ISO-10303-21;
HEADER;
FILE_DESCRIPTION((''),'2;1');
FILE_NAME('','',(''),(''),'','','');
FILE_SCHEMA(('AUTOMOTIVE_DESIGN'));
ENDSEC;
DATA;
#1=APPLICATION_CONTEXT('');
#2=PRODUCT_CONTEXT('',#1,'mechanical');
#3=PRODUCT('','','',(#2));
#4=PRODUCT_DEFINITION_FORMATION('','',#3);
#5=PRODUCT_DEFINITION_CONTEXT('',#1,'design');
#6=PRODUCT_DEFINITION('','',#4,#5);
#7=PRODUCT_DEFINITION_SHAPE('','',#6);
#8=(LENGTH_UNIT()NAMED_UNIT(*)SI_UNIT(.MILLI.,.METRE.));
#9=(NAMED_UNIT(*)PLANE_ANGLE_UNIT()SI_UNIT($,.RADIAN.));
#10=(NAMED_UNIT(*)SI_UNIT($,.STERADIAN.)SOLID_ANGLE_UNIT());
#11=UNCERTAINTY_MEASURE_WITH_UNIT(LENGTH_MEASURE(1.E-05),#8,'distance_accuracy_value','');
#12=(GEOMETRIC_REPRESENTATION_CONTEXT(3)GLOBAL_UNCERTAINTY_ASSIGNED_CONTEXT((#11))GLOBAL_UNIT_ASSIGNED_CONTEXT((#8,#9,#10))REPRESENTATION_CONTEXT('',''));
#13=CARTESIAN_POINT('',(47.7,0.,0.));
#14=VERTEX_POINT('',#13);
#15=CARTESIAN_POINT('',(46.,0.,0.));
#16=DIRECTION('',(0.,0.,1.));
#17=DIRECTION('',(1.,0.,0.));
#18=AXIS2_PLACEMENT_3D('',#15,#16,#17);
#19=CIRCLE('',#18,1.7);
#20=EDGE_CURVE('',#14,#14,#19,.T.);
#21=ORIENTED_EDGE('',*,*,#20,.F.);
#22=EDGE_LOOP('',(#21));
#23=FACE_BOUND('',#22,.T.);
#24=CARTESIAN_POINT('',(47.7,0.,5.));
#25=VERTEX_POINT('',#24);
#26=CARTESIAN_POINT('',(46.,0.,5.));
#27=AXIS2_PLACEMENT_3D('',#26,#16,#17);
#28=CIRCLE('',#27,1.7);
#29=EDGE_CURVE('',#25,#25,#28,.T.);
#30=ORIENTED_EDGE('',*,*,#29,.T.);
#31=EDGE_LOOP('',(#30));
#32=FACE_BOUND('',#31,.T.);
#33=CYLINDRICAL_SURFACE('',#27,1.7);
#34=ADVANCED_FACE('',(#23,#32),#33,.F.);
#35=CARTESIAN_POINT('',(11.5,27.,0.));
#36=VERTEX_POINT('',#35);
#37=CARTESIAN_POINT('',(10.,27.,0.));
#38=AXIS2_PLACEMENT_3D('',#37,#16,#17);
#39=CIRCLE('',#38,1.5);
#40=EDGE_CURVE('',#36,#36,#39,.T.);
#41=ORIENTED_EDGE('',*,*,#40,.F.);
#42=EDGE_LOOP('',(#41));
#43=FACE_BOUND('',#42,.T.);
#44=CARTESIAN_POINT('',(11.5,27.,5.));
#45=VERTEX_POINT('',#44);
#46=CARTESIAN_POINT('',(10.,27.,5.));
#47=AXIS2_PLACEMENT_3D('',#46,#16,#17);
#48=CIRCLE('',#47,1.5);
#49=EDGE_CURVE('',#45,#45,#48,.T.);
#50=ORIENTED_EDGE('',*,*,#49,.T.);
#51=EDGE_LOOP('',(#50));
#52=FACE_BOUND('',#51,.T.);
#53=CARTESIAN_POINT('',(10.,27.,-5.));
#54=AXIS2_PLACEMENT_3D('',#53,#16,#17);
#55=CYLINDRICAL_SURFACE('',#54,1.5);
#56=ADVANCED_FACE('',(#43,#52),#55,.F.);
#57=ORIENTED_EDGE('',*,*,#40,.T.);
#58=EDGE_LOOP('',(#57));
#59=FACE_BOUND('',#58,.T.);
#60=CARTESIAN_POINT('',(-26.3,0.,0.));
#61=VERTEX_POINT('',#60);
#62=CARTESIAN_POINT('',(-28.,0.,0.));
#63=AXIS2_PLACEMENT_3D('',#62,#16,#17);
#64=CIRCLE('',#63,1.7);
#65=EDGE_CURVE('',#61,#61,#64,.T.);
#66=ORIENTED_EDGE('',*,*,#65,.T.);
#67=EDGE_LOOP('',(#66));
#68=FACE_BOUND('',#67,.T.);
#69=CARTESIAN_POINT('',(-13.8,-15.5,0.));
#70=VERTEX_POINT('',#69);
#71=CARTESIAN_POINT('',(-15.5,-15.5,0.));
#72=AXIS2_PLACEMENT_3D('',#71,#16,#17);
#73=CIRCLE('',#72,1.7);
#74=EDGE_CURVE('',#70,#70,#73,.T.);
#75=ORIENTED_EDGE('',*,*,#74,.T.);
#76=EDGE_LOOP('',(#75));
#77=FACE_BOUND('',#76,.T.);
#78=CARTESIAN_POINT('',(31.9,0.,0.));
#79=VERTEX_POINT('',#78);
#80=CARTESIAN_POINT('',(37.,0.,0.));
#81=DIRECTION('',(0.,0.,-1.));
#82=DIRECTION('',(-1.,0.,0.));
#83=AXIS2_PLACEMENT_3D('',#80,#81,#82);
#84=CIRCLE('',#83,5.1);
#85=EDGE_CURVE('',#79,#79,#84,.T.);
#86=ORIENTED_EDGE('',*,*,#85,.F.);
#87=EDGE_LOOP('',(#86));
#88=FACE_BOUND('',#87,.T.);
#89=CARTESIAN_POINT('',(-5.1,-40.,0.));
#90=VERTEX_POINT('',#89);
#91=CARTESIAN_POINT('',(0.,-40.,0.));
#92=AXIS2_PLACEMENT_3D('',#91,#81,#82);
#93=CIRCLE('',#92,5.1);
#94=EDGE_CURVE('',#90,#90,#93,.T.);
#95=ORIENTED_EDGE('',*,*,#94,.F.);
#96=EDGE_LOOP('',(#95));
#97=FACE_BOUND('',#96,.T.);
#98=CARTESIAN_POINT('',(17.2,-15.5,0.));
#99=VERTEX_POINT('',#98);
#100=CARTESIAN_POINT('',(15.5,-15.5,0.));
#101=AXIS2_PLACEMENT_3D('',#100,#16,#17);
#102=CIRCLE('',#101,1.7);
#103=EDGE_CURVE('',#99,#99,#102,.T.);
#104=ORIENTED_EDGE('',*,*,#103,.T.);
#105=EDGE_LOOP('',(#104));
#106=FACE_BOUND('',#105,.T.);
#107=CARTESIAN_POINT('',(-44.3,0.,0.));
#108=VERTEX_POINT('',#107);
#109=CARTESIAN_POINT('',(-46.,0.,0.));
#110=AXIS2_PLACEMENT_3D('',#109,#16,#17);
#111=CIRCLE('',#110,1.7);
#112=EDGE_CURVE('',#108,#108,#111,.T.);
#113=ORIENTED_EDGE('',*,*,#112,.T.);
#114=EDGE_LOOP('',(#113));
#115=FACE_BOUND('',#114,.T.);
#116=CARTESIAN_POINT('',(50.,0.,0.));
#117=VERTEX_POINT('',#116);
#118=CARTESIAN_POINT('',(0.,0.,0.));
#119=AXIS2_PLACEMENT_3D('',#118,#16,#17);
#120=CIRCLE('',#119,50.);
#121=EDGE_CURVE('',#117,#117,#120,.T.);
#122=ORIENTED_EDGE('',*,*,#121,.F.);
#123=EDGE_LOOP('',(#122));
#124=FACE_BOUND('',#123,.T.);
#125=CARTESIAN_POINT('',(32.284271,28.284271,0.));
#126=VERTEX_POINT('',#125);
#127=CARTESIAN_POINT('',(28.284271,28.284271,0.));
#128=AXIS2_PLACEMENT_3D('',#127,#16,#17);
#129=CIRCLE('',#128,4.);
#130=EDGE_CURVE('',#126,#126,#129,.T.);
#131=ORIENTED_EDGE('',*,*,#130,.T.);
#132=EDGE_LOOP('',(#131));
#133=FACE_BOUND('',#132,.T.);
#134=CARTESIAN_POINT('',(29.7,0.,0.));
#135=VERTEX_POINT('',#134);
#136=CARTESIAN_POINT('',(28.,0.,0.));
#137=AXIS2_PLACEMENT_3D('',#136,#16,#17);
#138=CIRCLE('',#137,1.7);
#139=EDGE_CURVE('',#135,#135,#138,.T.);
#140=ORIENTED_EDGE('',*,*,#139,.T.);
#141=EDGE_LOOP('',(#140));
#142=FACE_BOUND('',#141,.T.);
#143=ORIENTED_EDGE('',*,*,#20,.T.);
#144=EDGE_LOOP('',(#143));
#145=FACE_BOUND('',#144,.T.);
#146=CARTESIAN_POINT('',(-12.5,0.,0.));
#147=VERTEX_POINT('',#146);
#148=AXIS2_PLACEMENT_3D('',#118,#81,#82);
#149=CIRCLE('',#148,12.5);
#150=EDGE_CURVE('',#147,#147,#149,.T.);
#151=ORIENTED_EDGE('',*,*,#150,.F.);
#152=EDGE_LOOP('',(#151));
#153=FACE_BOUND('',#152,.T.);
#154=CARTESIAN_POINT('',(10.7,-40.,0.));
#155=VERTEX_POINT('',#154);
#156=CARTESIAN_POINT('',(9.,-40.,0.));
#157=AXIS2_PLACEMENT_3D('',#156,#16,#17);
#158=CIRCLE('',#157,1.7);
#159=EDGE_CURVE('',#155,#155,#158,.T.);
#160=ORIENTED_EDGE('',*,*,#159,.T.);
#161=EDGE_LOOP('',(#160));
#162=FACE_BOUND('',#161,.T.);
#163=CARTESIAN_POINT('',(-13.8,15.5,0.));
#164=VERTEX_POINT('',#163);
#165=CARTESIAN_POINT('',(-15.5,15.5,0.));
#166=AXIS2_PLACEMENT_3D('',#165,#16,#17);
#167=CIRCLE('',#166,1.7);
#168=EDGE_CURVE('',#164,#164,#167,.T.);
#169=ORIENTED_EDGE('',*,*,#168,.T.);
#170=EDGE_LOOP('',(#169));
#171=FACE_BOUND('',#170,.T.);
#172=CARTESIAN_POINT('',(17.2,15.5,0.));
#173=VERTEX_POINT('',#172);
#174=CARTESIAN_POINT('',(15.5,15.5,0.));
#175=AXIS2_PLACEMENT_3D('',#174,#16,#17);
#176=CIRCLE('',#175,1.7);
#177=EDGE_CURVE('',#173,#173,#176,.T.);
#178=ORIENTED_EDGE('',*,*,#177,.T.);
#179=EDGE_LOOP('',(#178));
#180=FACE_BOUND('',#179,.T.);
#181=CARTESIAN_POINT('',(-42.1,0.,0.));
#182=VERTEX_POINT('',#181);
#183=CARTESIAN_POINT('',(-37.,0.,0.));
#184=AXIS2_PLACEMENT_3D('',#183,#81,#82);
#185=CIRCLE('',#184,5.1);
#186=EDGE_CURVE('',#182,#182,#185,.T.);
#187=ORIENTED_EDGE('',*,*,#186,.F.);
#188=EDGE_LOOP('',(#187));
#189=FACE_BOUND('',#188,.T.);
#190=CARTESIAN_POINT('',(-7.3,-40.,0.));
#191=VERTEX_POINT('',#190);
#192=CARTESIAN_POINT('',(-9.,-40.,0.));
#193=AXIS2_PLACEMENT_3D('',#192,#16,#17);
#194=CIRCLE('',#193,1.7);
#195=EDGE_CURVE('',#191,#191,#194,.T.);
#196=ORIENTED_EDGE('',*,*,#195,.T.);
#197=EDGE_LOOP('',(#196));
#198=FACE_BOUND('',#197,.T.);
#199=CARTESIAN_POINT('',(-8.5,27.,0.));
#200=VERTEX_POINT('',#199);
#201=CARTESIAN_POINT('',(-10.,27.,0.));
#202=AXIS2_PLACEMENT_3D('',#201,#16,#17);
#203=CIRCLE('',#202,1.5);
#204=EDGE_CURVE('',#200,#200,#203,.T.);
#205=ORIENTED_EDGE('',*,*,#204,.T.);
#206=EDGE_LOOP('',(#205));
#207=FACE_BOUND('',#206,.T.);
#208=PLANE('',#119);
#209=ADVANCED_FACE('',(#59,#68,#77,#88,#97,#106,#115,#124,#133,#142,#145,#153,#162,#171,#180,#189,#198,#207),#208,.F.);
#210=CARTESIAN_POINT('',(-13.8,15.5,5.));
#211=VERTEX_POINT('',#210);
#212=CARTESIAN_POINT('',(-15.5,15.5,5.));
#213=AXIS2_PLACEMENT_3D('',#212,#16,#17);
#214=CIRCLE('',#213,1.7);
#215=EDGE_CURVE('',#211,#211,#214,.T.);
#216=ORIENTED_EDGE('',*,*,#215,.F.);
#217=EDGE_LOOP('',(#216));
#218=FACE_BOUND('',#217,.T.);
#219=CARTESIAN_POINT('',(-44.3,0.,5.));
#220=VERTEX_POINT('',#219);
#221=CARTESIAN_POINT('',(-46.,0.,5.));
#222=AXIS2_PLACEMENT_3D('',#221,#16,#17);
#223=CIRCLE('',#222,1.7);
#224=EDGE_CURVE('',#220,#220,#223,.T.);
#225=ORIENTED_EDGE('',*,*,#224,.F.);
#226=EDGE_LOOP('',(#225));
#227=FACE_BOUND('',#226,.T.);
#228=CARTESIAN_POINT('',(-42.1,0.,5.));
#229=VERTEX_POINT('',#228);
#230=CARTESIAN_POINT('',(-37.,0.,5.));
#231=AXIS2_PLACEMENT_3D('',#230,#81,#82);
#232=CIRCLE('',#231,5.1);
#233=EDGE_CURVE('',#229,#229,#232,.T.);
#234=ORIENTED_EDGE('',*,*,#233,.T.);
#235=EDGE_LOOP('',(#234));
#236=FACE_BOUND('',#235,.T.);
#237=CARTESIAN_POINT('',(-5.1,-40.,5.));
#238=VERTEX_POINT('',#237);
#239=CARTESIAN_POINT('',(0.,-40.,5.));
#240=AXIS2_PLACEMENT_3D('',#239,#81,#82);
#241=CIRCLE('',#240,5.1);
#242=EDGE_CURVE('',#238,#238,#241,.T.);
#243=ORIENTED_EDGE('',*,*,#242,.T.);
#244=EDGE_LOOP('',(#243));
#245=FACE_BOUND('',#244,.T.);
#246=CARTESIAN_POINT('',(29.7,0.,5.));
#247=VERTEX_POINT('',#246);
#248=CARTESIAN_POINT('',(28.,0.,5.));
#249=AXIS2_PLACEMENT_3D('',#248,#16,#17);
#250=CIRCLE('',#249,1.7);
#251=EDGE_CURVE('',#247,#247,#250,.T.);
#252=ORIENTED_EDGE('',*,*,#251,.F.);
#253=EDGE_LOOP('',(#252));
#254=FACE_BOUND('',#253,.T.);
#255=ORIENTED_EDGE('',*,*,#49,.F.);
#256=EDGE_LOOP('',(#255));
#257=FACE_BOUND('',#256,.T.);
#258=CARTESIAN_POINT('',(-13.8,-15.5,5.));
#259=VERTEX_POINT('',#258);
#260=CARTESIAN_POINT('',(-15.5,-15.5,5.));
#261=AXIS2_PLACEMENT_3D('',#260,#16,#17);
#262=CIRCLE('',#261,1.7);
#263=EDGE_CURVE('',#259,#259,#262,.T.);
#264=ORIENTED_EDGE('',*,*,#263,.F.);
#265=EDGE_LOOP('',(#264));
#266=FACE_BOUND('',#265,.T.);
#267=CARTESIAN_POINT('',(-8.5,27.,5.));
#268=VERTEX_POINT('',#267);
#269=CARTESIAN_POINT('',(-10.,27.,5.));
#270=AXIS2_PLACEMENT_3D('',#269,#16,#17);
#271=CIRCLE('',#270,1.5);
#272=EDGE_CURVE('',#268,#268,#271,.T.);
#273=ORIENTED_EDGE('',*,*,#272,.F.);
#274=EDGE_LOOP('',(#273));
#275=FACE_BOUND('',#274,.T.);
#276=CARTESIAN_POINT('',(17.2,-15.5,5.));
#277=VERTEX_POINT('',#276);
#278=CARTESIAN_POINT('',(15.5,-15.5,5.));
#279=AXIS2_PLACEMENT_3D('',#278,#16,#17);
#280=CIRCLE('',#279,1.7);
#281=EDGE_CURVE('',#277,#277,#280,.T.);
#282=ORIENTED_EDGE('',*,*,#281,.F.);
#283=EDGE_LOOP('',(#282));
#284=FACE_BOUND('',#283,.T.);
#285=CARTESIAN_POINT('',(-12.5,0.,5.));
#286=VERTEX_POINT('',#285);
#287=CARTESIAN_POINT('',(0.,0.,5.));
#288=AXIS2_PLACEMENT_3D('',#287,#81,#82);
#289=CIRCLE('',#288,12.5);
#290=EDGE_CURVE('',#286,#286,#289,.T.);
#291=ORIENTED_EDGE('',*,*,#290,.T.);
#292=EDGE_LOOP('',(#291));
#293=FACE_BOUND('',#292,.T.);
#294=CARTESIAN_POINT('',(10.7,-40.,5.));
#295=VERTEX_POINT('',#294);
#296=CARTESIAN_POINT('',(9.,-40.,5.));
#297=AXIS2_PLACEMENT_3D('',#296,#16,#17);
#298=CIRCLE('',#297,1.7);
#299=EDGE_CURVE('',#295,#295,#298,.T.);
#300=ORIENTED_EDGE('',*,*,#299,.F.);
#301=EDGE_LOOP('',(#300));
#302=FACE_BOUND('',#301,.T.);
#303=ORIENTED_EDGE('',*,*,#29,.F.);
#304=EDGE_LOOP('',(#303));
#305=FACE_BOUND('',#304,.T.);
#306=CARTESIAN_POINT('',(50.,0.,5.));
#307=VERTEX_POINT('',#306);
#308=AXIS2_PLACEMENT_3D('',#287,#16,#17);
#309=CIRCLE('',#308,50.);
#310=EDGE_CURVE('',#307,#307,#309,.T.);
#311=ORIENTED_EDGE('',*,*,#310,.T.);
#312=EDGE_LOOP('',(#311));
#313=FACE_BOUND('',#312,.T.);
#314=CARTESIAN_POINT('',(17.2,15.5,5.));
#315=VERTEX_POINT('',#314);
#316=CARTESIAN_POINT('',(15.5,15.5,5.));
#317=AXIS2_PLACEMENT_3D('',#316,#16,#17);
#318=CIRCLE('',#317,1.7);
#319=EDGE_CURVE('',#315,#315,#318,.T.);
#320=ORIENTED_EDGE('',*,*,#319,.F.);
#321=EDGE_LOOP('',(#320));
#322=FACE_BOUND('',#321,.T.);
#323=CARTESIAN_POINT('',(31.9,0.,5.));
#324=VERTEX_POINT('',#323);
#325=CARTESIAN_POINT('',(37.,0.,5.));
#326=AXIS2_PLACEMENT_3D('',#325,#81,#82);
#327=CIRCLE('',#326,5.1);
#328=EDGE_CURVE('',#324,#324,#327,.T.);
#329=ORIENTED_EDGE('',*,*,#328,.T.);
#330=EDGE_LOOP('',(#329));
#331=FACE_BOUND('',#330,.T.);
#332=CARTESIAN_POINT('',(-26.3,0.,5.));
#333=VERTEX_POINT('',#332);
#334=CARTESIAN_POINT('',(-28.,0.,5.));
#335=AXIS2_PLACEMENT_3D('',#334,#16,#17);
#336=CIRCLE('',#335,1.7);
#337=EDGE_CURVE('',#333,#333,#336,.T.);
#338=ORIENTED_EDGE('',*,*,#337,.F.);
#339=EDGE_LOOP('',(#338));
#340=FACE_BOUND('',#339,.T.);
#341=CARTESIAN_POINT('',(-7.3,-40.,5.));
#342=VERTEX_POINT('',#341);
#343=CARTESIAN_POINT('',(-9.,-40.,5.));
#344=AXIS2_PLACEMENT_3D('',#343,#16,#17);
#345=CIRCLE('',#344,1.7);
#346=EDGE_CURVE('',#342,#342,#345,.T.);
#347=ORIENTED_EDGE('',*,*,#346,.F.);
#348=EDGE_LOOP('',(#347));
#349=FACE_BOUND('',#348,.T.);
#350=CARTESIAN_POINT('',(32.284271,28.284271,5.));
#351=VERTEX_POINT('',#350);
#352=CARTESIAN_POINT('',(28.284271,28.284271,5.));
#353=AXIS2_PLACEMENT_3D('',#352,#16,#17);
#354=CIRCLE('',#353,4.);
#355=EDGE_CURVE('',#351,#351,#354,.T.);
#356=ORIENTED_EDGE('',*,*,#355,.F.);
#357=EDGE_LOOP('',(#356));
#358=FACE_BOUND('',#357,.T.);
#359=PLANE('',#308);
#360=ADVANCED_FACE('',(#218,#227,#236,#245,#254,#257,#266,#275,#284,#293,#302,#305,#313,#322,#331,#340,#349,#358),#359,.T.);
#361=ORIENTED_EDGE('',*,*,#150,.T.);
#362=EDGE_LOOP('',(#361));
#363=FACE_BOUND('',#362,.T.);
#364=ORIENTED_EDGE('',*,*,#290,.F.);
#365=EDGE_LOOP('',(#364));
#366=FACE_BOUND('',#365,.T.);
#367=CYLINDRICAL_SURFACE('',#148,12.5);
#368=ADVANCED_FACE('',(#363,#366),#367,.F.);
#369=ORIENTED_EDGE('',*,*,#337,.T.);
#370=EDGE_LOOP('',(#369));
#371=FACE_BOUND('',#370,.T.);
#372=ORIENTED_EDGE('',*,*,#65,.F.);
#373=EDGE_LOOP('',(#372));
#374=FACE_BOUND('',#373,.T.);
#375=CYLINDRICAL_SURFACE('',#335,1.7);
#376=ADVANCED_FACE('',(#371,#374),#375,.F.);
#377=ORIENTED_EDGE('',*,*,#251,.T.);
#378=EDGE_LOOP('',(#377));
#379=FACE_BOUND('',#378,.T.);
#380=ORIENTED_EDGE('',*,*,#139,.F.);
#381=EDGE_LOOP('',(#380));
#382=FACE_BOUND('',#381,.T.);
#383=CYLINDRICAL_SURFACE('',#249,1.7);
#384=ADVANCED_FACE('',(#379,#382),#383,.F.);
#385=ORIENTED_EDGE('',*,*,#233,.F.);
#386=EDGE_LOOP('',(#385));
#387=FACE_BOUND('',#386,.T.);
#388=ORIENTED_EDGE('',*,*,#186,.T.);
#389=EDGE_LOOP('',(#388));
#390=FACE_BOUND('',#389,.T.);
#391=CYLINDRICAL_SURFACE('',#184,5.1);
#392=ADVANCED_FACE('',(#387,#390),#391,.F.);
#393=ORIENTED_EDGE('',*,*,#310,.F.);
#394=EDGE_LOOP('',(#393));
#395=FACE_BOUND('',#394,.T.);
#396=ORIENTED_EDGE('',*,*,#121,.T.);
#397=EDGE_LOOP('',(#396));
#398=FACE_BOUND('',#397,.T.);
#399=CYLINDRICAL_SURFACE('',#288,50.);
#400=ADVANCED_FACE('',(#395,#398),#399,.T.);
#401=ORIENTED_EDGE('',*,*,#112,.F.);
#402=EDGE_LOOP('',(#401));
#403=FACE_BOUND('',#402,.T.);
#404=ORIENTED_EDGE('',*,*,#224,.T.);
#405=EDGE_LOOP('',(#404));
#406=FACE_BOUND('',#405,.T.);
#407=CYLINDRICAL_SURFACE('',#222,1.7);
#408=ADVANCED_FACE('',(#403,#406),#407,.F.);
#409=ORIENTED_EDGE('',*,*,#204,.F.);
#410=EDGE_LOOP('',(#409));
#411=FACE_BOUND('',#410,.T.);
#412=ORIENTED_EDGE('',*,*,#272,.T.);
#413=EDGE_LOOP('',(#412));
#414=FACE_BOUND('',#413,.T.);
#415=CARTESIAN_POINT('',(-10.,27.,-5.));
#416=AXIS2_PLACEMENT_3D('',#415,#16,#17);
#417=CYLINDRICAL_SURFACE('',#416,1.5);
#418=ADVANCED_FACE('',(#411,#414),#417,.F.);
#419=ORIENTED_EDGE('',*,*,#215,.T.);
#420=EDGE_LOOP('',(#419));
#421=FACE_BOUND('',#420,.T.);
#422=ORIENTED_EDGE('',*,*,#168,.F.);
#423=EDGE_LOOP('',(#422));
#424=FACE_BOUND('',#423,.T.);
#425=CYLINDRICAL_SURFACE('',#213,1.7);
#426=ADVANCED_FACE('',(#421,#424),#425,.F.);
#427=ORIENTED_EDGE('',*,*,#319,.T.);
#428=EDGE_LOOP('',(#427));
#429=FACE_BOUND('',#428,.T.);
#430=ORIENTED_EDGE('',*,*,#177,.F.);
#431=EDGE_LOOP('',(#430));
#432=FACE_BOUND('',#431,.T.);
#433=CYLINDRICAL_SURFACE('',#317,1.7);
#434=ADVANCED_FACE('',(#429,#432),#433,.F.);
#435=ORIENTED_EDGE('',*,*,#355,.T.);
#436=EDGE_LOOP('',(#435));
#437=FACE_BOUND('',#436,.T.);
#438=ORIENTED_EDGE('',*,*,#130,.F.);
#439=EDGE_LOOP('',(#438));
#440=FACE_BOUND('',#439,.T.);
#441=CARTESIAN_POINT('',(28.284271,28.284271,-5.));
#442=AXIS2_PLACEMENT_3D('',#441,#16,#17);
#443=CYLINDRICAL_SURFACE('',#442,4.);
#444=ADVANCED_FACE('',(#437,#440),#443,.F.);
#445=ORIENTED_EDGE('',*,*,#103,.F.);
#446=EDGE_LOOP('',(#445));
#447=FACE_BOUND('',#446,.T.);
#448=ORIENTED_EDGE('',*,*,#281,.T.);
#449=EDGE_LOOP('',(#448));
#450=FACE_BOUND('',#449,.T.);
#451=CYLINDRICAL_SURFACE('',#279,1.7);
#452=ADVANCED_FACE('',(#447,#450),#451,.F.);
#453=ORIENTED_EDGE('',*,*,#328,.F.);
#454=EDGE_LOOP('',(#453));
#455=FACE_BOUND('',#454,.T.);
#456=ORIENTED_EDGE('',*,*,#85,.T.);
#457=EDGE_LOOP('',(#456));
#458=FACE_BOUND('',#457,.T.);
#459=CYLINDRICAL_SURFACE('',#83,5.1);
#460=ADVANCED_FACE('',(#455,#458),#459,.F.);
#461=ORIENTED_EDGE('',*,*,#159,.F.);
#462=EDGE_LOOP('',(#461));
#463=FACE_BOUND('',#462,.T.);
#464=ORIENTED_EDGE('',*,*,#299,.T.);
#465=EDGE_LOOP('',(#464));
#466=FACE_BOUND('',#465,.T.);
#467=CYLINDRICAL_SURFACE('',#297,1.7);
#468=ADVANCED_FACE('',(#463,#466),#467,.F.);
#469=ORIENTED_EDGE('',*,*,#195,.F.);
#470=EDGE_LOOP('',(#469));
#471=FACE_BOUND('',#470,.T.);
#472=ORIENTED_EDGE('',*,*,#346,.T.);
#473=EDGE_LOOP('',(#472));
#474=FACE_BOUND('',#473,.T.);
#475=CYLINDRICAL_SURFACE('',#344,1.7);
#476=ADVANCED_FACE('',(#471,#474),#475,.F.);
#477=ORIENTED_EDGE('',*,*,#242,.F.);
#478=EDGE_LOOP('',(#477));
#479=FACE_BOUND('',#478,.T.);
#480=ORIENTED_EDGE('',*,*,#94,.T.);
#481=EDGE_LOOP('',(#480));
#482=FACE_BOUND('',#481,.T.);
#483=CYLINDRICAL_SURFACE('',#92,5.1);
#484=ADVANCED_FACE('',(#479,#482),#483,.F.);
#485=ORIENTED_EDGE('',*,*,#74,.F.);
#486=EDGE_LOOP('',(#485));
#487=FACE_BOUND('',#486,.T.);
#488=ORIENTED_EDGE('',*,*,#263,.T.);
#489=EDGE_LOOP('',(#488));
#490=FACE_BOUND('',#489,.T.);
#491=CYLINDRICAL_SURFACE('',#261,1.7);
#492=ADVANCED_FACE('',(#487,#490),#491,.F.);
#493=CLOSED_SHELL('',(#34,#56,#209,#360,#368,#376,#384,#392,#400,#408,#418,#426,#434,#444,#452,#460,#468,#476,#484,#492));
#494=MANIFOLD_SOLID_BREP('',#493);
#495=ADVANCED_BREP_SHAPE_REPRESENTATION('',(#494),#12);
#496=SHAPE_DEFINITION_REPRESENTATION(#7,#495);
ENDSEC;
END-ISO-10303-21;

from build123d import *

# Parameters (mm, degrees)
SKETCH1_R                    = 50
BOSS_EXTRUDE1_DEPTH          = 5
F_25_0_25_DIAMETER_HOLE1_D   = 25
F_10_2_10_2_DIAMETER_HOLE1_D = 10.2
M3_CLEARANCE_HOLE1_D         = 3.4
M3_CLEARANCE_HOLE2_D         = 3.4
SKETCH11_R                   = 1.5
CUT_EXTRUDE1_DEPTH           = 10
SKETCH12_R                   = 4
CUT_EXTRUDE2_DEPTH           = 10


with BuildPart() as part:
    # Sketch1 → Boss-Extrude1 (new body)
    with BuildSketch(Plane.XY):
        Circle(SKETCH1_R)
    extrude(amount=BOSS_EXTRUDE1_DEPTH)

    # Ø25.0 (25) Diameter Hole1 (through all)
    with Locations(Plane(origin=(0, 0, 0), x_dir=(-1, 0, 0), z_dir=(0, 0, -1))):
        with Locations((0, 0)):
            Hole(F_25_0_25_DIAMETER_HOLE1_D / 2)

    # Ø10.2 (10.2) Diameter Hole1 (through all)
    with Locations(Plane(origin=(0, 0, 0), x_dir=(-1, 0, 0), z_dir=(0, 0, -1))):
        with Locations((37, 0), (-37, 0), (0, -40)):
            Hole(F_10_2_10_2_DIAMETER_HOLE1_D / 2)

    # M3 Clearance Hole1 (through all)
    with Locations(Plane.XY.offset(5)):
        with Locations((46, 0), (28, 0), (9, -40), (-9, -40), (-46, 0), (-28, 0)):
            Hole(M3_CLEARANCE_HOLE1_D / 2)

    # M3 Clearance Hole2 (through all)
    with Locations(Plane.XY.offset(5)):
        with Locations((15.5, 15.5), (15.5, -15.5), (-15.5, -15.5), (-15.5, 15.5)):
            Hole(M3_CLEARANCE_HOLE2_D / 2)

    # Sketch11 → Cut-Extrude1 (cut)
    with BuildSketch(Plane.XY.offset(5)):
        with Locations((-10, 27)):
            Circle(SKETCH11_R)
        with Locations((10, 27)):
            Circle(SKETCH11_R)
    extrude(amount=-CUT_EXTRUDE1_DEPTH, mode=Mode.SUBTRACT)

    # Sketch12 → Cut-Extrude2 (cut)
    with BuildSketch(Plane.XY.offset(5)):
        with Locations((28.284271247, 28.284271247)):
            Circle(SKETCH12_R)
    extrude(amount=-CUT_EXTRUDE2_DEPTH, mode=Mode.SUBTRACT)


solid = part.part
